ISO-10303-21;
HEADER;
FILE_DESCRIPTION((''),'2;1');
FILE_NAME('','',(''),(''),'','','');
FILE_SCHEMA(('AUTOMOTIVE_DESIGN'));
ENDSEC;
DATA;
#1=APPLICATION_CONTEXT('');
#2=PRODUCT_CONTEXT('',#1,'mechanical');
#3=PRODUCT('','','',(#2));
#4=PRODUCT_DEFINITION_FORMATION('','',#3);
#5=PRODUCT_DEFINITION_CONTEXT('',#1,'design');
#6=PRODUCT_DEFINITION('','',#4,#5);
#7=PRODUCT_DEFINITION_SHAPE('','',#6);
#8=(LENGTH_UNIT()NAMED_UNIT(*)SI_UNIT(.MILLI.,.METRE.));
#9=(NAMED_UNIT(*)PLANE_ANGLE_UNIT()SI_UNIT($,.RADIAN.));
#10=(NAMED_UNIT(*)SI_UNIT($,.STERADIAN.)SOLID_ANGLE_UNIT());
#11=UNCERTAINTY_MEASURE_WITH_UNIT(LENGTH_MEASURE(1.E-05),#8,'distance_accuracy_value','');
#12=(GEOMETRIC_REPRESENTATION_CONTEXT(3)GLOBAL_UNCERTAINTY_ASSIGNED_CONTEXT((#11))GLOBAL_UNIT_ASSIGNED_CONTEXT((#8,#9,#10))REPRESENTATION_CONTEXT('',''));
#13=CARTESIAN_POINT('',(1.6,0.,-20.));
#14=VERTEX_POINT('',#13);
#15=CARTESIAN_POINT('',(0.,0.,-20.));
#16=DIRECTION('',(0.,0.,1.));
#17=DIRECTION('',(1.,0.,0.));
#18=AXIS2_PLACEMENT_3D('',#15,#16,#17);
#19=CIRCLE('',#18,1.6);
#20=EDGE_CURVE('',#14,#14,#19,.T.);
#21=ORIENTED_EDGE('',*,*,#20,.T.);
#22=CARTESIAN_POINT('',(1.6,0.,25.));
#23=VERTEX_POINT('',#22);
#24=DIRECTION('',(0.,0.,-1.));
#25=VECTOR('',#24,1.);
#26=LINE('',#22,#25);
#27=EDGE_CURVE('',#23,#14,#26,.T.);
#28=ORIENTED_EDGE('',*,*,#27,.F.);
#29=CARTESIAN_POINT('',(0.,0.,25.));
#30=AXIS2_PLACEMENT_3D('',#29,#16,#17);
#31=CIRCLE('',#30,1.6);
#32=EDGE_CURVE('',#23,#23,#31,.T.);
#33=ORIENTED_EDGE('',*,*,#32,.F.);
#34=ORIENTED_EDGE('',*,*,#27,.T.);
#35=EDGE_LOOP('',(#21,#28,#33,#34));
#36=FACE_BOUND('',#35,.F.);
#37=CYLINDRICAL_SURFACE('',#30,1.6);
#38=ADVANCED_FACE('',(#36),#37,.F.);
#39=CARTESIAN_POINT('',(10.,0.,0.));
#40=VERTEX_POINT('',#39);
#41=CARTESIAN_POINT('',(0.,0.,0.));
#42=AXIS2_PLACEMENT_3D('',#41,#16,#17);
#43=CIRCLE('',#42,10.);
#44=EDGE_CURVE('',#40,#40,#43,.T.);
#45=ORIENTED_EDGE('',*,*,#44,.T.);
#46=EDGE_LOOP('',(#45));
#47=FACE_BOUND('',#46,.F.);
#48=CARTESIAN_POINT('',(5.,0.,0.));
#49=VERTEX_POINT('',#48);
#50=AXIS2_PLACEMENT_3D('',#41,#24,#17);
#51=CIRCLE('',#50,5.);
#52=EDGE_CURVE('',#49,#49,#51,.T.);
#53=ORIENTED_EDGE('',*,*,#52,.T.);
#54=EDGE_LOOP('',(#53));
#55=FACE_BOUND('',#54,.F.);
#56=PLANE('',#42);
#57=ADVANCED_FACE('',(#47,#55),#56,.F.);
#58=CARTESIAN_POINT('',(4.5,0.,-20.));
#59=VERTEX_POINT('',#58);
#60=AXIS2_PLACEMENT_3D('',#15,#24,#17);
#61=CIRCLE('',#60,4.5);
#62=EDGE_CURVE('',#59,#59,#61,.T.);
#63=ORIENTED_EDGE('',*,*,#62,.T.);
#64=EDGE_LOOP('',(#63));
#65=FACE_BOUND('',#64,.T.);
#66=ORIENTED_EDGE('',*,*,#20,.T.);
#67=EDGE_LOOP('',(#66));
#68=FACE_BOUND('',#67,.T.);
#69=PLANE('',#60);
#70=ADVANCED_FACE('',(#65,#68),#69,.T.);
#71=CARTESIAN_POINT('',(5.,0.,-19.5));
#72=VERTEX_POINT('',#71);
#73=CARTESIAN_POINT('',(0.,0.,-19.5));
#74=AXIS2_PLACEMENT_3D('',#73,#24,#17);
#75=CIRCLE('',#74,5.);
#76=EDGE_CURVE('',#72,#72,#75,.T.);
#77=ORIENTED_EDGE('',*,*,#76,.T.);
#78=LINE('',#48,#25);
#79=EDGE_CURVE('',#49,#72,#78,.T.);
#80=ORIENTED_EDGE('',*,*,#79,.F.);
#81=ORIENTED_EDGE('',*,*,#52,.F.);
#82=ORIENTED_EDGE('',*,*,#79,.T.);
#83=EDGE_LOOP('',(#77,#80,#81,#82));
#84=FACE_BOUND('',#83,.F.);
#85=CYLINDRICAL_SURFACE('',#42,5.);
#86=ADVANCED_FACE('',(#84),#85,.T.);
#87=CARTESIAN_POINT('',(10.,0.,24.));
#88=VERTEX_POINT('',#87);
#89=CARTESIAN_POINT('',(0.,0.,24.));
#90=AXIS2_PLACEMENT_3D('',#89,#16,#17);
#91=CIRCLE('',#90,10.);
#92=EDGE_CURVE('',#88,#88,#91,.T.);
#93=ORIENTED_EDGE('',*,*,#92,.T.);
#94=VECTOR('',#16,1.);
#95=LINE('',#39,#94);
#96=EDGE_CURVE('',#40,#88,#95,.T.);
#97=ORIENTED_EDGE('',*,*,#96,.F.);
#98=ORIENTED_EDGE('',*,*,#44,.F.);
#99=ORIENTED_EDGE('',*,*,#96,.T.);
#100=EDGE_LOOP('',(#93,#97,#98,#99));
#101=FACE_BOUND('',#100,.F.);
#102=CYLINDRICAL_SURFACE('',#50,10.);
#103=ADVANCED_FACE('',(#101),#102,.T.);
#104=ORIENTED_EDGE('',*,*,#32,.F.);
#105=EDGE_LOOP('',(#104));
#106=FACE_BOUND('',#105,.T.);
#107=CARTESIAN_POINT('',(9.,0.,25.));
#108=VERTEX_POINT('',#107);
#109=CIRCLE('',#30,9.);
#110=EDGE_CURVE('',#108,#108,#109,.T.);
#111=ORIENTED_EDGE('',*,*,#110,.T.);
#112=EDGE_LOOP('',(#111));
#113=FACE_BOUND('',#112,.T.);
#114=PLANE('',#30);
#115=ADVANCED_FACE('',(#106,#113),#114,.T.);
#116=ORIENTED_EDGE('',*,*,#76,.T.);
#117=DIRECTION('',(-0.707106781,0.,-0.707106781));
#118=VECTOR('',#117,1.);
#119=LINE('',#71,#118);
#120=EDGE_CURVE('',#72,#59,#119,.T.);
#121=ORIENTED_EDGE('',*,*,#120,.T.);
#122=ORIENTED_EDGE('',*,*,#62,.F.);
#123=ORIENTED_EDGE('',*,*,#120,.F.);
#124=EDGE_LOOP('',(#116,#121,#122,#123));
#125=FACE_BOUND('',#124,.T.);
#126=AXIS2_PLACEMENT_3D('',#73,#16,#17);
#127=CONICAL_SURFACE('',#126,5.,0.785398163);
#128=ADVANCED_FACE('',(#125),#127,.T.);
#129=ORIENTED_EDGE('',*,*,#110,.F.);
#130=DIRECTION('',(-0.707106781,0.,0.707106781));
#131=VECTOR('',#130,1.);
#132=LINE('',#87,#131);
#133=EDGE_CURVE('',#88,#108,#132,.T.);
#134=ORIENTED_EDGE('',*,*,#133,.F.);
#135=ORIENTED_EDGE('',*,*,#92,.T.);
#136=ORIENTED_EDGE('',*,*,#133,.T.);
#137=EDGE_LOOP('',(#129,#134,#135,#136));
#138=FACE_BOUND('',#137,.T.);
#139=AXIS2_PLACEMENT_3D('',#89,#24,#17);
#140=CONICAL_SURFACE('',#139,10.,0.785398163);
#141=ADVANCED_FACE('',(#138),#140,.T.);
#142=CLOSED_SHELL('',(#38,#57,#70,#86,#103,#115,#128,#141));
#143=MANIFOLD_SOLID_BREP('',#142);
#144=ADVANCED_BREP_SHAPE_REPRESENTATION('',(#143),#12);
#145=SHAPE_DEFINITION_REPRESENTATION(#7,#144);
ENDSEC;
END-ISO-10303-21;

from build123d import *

# Parameters (mm, degrees)
F0_R     = 10
F1_DEPTH = 25
F2_SIZE  = 1
F3_R     = 5
F4_DEPTH = 20
F5_SIZE  = 0.5
F6_R     = 1.6
F7_DEPTH = 45.001


with BuildPart() as f1:
    # F0 (on Top) → F1 (new body)
    with BuildSketch(Plane.XY):
        Circle(F0_R)
    extrude(amount=F1_DEPTH)

    # F2
    f2_edges = [f1.edges().sort_by_distance(p)[0] for p in [
        (-10, 0, 25),
    ]]
    chamfer(f2_edges, length=F2_SIZE)

    # F3 (on face) → F4 (join)
    with BuildSketch(Plane(origin=(0, 0, 0), x_dir=(1, 0, 0), z_dir=(0, 0, -1))):
        Circle(F3_R)
    extrude(amount=F4_DEPTH)

    # F5
    f5_edges = [f1.edges().sort_by_distance(p)[0] for p in [
        (-5, 0, -20),
    ]]
    chamfer(f5_edges, length=F5_SIZE)

    # F6 (on face) → F7 (cut, through all)
    with BuildSketch(Plane.XY.offset(25)):
        Circle(F6_R)
    extrude(amount=-F7_DEPTH, mode=Mode.SUBTRACT)


solid = f1.part
